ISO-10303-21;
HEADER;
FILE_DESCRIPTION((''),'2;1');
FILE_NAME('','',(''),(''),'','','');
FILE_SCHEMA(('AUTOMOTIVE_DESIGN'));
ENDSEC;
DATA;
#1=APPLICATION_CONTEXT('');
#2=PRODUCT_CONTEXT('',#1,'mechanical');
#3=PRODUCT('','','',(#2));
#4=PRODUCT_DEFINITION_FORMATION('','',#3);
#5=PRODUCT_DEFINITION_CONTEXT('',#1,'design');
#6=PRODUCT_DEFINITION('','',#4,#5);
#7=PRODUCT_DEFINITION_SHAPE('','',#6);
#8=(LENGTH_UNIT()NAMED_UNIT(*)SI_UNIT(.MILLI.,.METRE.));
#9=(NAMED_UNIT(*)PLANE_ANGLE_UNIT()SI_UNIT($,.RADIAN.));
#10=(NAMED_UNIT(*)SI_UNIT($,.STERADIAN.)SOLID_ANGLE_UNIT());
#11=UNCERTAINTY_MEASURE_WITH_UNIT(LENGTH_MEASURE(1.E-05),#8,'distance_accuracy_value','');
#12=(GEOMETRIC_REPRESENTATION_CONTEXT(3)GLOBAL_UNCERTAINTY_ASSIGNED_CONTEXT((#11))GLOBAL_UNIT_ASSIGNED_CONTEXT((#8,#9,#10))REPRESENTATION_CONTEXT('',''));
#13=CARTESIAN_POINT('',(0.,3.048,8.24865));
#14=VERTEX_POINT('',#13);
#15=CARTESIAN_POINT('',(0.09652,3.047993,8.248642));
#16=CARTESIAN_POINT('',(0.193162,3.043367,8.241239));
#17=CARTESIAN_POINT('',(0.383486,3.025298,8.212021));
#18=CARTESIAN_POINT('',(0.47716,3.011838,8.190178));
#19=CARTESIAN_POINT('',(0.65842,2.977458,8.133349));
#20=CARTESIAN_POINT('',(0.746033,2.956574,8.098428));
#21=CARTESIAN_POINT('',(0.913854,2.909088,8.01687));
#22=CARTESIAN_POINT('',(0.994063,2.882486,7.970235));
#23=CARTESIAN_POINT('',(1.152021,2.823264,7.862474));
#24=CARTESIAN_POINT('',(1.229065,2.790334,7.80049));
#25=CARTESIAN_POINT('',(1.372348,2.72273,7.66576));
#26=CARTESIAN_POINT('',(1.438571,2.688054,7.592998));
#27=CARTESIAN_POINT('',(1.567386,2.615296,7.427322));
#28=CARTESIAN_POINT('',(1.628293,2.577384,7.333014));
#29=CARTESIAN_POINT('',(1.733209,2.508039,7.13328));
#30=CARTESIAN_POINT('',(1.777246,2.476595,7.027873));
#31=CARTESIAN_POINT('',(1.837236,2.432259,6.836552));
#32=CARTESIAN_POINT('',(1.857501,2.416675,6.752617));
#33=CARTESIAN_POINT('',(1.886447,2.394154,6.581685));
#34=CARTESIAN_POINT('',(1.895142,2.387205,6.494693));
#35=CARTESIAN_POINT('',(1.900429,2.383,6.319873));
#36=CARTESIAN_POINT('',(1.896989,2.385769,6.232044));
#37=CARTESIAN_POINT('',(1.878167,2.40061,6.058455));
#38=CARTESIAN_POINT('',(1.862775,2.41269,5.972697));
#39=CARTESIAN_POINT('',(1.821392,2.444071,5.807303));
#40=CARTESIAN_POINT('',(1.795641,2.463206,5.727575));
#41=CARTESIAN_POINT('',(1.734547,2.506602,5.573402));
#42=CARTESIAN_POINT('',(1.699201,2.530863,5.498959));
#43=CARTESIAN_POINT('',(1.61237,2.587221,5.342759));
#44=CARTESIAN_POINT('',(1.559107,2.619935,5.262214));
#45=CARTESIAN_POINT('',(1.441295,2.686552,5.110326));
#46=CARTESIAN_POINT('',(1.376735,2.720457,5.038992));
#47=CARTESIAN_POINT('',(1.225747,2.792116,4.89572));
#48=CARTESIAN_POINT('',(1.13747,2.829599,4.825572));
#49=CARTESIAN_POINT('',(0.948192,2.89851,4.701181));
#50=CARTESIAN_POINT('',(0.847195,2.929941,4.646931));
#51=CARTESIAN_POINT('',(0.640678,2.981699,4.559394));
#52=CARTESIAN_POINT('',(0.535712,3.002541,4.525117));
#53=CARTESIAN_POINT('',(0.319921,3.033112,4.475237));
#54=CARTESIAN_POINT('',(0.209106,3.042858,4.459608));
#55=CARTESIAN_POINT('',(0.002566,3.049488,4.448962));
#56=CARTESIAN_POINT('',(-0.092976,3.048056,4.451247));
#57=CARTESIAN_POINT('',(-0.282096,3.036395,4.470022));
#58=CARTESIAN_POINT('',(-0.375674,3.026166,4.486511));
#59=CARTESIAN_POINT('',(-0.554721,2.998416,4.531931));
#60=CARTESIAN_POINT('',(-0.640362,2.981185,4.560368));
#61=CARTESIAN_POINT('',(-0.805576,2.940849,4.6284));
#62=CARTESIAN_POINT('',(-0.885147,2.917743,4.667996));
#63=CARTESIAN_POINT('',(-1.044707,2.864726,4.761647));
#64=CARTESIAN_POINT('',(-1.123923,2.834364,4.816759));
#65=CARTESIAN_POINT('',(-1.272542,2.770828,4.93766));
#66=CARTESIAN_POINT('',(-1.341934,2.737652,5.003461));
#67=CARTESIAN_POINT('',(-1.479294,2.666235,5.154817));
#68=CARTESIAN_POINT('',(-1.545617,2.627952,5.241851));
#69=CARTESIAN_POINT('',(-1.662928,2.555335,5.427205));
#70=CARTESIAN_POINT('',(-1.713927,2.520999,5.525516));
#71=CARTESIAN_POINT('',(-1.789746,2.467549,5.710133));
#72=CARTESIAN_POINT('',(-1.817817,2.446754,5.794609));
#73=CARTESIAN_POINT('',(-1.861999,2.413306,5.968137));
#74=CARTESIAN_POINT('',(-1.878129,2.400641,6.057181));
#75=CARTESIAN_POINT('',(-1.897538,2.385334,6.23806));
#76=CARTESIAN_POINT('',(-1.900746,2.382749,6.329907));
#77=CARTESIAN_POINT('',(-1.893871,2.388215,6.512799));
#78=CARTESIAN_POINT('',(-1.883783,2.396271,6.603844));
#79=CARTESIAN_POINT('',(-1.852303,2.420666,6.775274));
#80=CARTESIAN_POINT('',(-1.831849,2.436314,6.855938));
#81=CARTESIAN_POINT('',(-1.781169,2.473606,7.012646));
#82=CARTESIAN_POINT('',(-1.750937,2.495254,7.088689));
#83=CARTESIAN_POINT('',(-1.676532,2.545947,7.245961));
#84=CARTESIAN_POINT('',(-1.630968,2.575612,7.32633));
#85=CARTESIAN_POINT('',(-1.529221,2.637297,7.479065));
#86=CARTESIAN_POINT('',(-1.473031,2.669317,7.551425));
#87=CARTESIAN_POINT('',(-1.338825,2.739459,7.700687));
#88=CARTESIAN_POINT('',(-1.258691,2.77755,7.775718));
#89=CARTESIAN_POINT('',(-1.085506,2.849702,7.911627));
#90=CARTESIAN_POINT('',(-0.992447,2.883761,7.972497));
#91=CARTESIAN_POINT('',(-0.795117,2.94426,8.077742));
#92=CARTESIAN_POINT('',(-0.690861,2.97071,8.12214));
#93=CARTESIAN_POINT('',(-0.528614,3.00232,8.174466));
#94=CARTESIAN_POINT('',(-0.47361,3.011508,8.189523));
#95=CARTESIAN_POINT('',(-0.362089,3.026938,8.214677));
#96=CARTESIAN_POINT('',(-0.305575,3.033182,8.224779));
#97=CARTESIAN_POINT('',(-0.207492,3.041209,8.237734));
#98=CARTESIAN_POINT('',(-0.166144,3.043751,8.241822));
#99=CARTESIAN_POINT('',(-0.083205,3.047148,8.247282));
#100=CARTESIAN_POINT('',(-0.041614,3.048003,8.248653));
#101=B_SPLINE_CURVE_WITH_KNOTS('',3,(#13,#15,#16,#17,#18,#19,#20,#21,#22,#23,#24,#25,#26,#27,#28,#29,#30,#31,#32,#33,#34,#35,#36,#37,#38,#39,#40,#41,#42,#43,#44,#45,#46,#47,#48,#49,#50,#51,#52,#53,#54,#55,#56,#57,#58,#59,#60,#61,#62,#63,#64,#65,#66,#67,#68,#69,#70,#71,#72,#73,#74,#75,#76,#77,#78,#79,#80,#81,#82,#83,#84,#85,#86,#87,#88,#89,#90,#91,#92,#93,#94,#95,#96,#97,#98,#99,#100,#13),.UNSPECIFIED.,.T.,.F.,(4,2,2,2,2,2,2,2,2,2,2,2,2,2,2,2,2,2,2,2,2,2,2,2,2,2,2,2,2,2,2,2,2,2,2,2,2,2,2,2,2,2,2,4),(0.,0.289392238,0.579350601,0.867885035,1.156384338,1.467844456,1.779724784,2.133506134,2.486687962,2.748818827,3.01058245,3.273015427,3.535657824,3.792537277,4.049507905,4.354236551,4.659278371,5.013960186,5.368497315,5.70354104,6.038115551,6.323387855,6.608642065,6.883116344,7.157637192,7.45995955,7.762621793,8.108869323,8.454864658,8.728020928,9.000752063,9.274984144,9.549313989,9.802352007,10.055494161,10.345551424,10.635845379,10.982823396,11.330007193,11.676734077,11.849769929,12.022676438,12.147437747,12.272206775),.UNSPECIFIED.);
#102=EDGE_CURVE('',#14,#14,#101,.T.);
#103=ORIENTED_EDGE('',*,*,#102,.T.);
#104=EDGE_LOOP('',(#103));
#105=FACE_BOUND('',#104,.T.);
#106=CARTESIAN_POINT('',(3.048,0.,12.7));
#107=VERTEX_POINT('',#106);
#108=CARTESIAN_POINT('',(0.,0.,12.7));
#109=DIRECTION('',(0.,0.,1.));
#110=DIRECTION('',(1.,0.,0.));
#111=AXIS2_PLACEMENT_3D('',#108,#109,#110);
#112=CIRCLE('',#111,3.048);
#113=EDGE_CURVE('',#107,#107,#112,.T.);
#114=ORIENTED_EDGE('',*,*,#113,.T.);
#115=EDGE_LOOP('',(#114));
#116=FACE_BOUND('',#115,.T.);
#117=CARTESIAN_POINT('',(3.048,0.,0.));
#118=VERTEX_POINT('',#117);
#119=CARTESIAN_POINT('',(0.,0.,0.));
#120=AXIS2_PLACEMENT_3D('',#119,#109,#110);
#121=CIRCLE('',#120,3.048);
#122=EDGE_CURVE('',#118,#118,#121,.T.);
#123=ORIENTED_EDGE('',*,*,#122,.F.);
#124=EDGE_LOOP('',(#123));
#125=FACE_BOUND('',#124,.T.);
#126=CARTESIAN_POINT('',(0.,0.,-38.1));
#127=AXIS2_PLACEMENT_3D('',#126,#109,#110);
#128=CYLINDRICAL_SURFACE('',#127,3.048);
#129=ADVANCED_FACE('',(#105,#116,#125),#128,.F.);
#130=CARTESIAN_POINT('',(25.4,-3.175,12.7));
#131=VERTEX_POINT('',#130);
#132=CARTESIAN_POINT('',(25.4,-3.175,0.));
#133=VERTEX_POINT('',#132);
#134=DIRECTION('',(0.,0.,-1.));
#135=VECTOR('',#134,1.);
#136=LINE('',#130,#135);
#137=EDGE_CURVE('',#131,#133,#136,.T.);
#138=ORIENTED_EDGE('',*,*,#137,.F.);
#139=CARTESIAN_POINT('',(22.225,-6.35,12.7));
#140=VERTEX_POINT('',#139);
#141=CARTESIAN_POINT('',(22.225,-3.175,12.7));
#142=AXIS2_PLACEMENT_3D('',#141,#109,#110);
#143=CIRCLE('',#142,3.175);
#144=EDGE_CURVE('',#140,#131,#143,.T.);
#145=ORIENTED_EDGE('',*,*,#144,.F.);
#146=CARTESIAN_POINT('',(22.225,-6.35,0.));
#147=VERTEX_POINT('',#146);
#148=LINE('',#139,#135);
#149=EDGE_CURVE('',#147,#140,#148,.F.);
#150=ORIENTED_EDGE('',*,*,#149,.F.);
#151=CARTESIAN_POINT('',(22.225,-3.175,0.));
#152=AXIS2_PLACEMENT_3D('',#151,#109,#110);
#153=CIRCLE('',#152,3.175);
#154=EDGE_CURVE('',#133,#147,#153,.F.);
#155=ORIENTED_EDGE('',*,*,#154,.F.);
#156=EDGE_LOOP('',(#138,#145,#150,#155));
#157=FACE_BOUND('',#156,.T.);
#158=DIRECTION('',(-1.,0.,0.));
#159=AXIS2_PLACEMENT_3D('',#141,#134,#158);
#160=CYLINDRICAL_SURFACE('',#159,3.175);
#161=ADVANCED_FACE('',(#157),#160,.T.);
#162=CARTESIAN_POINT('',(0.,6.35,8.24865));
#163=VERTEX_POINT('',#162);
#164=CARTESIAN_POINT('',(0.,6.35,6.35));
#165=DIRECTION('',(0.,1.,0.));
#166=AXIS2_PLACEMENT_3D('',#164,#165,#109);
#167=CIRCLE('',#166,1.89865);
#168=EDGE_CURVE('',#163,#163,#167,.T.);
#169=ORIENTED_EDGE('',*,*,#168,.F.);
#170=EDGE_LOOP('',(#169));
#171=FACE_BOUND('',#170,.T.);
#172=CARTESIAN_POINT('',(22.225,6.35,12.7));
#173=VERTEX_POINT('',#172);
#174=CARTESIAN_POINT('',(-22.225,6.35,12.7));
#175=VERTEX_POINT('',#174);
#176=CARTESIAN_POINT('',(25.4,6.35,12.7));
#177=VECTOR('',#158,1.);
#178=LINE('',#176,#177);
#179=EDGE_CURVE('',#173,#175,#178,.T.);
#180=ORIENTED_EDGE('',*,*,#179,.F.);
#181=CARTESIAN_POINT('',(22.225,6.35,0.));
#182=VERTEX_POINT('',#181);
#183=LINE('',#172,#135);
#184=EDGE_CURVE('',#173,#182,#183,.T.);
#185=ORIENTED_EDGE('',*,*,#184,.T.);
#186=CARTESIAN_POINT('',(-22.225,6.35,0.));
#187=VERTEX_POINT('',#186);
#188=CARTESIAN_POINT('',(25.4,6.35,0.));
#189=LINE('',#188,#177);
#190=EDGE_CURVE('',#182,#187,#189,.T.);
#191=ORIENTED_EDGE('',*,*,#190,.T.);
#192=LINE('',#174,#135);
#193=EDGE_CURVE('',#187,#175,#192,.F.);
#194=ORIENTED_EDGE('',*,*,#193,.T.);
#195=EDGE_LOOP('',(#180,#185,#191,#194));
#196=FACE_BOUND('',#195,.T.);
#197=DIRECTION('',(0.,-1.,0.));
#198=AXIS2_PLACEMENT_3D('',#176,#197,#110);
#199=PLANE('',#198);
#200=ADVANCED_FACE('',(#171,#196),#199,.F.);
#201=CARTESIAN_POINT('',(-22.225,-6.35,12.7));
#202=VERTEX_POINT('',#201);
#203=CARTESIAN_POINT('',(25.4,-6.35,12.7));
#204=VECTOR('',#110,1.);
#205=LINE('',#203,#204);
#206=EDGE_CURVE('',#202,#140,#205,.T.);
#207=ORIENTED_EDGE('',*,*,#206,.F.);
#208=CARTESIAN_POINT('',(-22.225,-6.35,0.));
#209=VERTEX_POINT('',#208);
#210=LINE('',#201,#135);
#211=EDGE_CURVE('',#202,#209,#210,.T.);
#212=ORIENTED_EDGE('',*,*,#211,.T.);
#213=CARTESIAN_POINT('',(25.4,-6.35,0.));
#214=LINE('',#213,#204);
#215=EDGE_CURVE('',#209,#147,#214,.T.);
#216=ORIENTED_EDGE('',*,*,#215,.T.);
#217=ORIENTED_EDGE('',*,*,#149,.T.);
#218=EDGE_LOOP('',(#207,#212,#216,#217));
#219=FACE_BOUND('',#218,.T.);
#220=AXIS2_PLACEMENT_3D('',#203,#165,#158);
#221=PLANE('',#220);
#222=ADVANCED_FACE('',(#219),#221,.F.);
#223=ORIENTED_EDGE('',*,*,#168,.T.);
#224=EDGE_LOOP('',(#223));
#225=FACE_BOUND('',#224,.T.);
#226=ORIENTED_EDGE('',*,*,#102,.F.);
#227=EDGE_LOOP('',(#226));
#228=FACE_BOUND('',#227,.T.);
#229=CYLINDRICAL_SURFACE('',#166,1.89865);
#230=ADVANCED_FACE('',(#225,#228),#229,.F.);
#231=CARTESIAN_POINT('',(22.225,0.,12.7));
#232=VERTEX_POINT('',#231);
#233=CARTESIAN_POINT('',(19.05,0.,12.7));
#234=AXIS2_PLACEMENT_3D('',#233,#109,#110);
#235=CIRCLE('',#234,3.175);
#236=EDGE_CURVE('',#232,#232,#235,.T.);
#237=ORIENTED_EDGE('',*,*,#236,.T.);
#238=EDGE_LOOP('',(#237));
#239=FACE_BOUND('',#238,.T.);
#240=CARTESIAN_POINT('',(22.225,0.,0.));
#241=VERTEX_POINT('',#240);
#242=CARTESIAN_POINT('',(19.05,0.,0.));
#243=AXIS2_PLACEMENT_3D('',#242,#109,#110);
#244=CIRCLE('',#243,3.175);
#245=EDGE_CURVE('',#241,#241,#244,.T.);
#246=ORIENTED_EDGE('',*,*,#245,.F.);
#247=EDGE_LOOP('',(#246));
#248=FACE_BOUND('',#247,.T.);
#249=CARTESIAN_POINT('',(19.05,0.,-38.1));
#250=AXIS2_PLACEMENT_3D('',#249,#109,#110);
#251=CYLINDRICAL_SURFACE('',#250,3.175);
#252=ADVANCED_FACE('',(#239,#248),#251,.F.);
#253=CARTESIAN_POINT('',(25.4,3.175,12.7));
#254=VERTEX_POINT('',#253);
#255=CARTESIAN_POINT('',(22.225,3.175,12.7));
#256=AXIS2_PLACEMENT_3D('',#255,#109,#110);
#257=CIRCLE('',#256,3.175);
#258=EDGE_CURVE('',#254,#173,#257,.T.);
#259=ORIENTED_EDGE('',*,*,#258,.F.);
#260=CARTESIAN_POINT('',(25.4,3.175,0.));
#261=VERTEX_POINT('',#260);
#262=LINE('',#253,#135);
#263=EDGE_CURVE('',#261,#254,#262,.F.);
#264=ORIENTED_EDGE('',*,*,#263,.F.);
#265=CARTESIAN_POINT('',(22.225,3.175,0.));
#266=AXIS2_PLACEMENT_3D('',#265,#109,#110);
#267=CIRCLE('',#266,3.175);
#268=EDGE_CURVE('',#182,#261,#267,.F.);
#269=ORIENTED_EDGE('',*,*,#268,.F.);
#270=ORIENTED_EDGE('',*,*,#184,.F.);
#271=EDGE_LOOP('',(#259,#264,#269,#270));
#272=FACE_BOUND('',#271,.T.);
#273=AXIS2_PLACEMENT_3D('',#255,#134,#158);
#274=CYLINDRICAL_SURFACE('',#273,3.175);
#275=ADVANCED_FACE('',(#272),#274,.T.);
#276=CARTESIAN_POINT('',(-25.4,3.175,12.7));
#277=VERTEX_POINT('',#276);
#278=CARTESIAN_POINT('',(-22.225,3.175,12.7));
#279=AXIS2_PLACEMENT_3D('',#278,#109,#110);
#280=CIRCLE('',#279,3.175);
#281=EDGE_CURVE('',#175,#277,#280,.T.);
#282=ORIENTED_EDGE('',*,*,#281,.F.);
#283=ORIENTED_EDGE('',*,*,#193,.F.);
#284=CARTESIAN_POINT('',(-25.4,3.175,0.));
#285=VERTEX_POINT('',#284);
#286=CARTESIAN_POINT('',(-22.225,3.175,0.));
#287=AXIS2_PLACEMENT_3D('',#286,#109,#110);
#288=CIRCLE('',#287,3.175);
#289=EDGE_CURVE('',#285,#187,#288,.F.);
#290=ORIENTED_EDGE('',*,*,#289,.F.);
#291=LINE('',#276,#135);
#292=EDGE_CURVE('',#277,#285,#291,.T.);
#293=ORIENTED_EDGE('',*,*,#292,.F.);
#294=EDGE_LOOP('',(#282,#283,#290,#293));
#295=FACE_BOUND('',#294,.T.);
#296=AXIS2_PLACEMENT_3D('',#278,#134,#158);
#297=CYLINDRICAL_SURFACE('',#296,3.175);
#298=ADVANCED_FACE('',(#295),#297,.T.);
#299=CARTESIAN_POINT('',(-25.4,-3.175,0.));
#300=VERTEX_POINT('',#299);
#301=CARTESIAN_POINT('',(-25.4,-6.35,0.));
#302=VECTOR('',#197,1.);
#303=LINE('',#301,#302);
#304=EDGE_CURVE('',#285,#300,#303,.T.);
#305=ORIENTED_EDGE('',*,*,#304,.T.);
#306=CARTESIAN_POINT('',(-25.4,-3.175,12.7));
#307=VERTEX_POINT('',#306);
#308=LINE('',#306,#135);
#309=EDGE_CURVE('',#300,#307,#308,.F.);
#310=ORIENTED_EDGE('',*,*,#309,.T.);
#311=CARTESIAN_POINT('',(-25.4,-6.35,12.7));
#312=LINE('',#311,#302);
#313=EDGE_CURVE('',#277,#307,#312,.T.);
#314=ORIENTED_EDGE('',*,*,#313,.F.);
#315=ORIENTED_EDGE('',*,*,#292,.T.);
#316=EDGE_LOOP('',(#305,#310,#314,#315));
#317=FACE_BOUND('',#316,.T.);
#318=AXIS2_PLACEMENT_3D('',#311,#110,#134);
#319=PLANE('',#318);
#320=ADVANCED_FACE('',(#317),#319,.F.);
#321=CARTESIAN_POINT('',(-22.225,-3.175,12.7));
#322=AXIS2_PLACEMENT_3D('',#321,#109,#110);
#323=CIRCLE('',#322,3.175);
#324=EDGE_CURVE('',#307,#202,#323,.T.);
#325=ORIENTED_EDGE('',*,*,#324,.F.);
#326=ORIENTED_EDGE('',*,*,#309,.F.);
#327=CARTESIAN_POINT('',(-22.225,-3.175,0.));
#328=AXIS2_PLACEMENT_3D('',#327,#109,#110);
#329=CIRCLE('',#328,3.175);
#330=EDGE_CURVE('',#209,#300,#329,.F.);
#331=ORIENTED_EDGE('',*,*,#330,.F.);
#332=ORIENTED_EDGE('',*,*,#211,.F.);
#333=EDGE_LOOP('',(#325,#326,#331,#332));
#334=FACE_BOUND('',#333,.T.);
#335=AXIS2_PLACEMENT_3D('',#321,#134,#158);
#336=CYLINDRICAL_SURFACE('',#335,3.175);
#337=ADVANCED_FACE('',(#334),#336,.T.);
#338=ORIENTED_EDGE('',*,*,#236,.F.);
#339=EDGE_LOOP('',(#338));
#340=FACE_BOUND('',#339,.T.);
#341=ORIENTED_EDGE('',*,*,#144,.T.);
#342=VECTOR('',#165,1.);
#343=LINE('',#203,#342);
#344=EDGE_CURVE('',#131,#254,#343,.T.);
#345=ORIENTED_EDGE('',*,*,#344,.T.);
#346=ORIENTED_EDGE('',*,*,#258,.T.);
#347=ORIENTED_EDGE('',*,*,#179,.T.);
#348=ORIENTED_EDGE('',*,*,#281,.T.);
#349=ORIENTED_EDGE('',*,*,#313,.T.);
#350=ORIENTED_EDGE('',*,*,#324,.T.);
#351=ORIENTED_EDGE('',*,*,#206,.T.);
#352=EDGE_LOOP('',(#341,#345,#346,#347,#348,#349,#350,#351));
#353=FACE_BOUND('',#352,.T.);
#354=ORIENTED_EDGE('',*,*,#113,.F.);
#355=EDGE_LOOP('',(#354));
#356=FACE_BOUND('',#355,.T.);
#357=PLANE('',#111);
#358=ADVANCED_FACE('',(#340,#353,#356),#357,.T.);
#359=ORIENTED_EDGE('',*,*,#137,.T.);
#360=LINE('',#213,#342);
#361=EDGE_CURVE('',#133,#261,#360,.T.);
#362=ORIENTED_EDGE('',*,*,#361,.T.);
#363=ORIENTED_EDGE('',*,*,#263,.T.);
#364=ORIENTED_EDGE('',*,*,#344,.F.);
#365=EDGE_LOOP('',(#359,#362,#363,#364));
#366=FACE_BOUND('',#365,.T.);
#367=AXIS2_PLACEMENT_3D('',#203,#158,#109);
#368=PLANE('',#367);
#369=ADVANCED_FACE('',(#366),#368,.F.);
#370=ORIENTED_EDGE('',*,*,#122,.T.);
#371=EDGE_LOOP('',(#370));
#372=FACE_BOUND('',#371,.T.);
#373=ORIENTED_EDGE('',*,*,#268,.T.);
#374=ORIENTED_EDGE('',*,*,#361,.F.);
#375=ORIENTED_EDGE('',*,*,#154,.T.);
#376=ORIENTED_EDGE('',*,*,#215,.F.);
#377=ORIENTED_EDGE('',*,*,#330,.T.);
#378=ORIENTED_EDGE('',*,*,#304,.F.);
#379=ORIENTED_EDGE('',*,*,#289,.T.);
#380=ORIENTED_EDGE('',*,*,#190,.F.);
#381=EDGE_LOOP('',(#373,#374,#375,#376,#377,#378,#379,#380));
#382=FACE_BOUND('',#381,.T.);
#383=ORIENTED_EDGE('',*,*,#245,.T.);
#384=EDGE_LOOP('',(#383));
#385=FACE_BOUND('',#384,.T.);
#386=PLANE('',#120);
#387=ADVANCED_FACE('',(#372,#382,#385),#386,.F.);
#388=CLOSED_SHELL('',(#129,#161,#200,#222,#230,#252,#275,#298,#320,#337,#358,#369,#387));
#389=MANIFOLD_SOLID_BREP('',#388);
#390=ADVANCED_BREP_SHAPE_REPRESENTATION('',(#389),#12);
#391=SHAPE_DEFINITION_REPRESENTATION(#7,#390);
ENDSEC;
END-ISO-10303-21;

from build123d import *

# Parameters (mm, degrees)
SKETCH1_W                       = 50.8
SKETCH1_H                       = 12.7
BOSS_EXTRUDE1_DEPTH             = 12.7
SKETCH4_R                       = 3.048
CUT_EXTRUDE1_DEPTH              = 50.8
SKETCH6_R                       = 3.175
CUT_EXTRUDE2_DEPTH              = 50.8
TAP_DRILL_FOR_10_24_TAP1_REACH  = 31.099
TAP_DRILL_FOR_10_24_TAP1_BORE_R = 1.89865
FILLET1_R                       = 3.175


with BuildPart() as part:
    # Sketch1 → Boss-Extrude1 (new body)
    with BuildSketch(Plane.XY):
        Rectangle(SKETCH1_W, SKETCH1_H)
    extrude(amount=BOSS_EXTRUDE1_DEPTH)

    # Sketch4 → Cut-Extrude1 (cut)
    with BuildSketch(Plane.XY.offset(12.7)):
        Circle(SKETCH4_R)
    extrude(amount=-CUT_EXTRUDE1_DEPTH, mode=Mode.SUBTRACT)

    # Sketch6 → Cut-Extrude2 (cut)
    with BuildSketch(Plane.XY.offset(12.7)):
        with Locations((19.05, 0)):
            Circle(SKETCH6_R)
    extrude(amount=-CUT_EXTRUDE2_DEPTH, mode=Mode.SUBTRACT)

    # Tap Drill for #10-24 Tap1 bore (on position points) → Tap Drill for #10-24 Tap1 (cut, up to next)
    with BuildSketch(Plane(origin=(0, 6.35, 6.35), x_dir=(1, 0, 0), z_dir=(0, 1, 0)), mode=Mode.PRIVATE) as tap_drill_for_10_24_tap1_sk1:
        Circle(TAP_DRILL_FOR_10_24_TAP1_BORE_R)
    tap_drill_for_10_24_tap1_tool1 = extrude(tap_drill_for_10_24_tap1_sk1.sketch, amount=-TAP_DRILL_FOR_10_24_TAP1_REACH, mode=Mode.PRIVATE) & part.part
    add(tap_drill_for_10_24_tap1_tool1.solids().sort_by_distance((0, 6.35, 6.35))[0], mode=Mode.SUBTRACT)

    # Fillet1
    fillet1_edges = [part.edges().sort_by_distance(p)[0] for p in [
        (-25.4, 6.35, 6.35),
        (25.4, 6.35, 6.35),
        (25.4, -6.35, 6.35),
        (-25.4, -6.35, 6.35),
    ]]
    fillet(fillet1_edges, radius=FILLET1_R)


solid = part.part
